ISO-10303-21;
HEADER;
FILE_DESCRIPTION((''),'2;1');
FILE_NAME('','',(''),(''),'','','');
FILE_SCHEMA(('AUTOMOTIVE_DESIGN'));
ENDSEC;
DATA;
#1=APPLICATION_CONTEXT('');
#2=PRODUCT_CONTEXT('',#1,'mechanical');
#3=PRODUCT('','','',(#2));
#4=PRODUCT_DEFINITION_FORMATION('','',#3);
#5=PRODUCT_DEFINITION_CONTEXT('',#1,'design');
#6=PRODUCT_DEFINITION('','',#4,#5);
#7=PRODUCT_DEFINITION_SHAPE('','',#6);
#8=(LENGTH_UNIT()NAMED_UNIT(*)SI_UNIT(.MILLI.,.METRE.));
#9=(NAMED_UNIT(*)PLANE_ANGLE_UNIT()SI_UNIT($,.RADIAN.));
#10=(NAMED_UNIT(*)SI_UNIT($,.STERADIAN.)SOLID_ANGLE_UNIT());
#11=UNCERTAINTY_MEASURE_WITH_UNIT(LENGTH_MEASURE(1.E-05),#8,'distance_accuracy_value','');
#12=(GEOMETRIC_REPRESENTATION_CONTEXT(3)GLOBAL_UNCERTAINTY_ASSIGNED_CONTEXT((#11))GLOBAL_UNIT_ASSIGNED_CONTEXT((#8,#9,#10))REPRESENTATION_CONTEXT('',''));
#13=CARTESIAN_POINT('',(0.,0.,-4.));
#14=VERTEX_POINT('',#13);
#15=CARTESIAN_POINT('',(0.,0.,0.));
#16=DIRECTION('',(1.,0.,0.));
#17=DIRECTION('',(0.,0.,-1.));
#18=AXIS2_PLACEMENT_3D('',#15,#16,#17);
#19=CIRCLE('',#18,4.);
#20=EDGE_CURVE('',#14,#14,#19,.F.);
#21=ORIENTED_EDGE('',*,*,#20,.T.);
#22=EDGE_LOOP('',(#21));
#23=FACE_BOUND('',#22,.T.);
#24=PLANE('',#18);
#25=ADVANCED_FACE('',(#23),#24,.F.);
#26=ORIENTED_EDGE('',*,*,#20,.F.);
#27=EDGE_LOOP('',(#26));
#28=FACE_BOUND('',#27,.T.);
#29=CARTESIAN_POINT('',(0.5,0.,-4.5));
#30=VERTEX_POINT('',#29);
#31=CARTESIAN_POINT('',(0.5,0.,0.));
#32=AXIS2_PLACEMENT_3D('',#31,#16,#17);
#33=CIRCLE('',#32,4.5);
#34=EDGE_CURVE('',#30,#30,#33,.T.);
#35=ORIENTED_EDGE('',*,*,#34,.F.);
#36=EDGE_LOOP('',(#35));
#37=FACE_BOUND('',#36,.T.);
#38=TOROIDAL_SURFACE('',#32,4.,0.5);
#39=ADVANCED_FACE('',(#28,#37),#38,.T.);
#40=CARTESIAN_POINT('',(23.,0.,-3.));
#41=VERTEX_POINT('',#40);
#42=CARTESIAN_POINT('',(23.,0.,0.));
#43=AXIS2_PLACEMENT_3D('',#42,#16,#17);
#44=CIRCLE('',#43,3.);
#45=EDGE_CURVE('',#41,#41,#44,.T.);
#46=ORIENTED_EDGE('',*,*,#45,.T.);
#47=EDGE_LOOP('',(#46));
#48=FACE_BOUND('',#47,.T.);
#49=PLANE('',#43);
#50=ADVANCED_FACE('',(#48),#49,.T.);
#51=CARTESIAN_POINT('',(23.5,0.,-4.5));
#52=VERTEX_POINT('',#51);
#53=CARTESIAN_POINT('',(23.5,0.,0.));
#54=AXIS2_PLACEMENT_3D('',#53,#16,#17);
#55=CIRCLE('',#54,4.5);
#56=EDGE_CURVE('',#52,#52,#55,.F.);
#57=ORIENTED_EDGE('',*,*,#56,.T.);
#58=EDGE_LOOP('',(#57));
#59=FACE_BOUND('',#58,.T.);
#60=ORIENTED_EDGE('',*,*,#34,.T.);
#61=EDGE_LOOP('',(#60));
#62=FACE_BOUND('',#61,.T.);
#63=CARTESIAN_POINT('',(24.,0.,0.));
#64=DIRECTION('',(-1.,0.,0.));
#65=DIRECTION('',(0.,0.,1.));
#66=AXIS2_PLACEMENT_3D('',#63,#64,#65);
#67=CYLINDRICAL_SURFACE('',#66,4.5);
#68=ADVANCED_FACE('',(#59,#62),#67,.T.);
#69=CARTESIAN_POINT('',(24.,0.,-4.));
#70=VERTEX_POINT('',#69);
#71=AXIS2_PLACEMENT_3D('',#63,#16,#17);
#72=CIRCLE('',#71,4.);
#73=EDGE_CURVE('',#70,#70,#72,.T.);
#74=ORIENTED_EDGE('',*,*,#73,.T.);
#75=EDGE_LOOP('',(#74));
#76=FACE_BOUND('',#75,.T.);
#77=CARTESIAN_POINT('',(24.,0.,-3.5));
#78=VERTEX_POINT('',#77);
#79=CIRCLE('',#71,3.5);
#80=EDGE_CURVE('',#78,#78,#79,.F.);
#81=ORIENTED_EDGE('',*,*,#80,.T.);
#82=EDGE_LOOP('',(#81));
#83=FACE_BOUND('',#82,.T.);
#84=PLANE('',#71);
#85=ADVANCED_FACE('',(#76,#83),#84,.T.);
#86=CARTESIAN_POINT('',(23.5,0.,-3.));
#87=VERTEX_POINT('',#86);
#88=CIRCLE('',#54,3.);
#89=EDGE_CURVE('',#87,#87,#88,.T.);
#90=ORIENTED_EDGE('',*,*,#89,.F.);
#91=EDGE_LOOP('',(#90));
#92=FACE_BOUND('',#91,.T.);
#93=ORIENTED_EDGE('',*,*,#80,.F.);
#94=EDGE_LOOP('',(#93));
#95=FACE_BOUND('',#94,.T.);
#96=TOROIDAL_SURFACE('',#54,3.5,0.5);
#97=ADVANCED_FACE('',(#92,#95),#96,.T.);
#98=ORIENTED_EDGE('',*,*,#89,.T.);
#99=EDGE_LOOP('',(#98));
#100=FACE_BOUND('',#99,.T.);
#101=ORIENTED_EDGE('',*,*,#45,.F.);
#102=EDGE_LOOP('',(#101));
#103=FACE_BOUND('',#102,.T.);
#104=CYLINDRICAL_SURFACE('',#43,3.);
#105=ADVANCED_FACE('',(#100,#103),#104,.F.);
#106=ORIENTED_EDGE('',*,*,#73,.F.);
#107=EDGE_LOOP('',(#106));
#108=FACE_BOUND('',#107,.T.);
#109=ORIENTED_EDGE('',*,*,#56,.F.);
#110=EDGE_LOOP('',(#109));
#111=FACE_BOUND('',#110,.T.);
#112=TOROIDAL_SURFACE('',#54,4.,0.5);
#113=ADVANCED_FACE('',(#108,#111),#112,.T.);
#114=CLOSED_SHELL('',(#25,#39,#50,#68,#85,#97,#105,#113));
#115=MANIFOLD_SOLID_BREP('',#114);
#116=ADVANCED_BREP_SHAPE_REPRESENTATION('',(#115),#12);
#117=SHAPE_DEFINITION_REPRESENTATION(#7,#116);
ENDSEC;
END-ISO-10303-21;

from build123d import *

# Parameters (mm, degrees)
SKETCH1_R      = 4.5
EXTRUDE1_DEPTH = 24
FILLET1_R      = 0.5
SKETCH2_R      = 3
EXTRUDE2_DEPTH = 1
FILLET2_R      = 0.5


with BuildPart() as part:
    # Sketch1 → Extrude1 (new body)
    with BuildSketch(Plane(origin=(0, 0, 0), x_dir=(0, 0, -1), z_dir=(1, 0, 0))):
        Circle(SKETCH1_R)
    extrude(amount=EXTRUDE1_DEPTH)

    # Fillet1
    fillet1_edges = [part.edges().sort_by_distance(p)[0] for p in [
        (0, 0, 4.5),
    ]]
    fillet(fillet1_edges, radius=FILLET1_R)

    # Sketch2 → Extrude2 (cut)
    with BuildSketch(Plane(origin=(24, 0, 0), x_dir=(0, 0, -1), z_dir=(1, 0, 0))):
        Circle(SKETCH2_R)
    extrude(amount=-EXTRUDE2_DEPTH, mode=Mode.SUBTRACT)

    # Fillet2
    fillet2_edges = [part.edges().sort_by_distance(p)[0] for p in [
        (24, 0, 4.5),
        (24, 0, 3),
    ]]
    fillet(fillet2_edges, radius=FILLET2_R)


solid = part.part
